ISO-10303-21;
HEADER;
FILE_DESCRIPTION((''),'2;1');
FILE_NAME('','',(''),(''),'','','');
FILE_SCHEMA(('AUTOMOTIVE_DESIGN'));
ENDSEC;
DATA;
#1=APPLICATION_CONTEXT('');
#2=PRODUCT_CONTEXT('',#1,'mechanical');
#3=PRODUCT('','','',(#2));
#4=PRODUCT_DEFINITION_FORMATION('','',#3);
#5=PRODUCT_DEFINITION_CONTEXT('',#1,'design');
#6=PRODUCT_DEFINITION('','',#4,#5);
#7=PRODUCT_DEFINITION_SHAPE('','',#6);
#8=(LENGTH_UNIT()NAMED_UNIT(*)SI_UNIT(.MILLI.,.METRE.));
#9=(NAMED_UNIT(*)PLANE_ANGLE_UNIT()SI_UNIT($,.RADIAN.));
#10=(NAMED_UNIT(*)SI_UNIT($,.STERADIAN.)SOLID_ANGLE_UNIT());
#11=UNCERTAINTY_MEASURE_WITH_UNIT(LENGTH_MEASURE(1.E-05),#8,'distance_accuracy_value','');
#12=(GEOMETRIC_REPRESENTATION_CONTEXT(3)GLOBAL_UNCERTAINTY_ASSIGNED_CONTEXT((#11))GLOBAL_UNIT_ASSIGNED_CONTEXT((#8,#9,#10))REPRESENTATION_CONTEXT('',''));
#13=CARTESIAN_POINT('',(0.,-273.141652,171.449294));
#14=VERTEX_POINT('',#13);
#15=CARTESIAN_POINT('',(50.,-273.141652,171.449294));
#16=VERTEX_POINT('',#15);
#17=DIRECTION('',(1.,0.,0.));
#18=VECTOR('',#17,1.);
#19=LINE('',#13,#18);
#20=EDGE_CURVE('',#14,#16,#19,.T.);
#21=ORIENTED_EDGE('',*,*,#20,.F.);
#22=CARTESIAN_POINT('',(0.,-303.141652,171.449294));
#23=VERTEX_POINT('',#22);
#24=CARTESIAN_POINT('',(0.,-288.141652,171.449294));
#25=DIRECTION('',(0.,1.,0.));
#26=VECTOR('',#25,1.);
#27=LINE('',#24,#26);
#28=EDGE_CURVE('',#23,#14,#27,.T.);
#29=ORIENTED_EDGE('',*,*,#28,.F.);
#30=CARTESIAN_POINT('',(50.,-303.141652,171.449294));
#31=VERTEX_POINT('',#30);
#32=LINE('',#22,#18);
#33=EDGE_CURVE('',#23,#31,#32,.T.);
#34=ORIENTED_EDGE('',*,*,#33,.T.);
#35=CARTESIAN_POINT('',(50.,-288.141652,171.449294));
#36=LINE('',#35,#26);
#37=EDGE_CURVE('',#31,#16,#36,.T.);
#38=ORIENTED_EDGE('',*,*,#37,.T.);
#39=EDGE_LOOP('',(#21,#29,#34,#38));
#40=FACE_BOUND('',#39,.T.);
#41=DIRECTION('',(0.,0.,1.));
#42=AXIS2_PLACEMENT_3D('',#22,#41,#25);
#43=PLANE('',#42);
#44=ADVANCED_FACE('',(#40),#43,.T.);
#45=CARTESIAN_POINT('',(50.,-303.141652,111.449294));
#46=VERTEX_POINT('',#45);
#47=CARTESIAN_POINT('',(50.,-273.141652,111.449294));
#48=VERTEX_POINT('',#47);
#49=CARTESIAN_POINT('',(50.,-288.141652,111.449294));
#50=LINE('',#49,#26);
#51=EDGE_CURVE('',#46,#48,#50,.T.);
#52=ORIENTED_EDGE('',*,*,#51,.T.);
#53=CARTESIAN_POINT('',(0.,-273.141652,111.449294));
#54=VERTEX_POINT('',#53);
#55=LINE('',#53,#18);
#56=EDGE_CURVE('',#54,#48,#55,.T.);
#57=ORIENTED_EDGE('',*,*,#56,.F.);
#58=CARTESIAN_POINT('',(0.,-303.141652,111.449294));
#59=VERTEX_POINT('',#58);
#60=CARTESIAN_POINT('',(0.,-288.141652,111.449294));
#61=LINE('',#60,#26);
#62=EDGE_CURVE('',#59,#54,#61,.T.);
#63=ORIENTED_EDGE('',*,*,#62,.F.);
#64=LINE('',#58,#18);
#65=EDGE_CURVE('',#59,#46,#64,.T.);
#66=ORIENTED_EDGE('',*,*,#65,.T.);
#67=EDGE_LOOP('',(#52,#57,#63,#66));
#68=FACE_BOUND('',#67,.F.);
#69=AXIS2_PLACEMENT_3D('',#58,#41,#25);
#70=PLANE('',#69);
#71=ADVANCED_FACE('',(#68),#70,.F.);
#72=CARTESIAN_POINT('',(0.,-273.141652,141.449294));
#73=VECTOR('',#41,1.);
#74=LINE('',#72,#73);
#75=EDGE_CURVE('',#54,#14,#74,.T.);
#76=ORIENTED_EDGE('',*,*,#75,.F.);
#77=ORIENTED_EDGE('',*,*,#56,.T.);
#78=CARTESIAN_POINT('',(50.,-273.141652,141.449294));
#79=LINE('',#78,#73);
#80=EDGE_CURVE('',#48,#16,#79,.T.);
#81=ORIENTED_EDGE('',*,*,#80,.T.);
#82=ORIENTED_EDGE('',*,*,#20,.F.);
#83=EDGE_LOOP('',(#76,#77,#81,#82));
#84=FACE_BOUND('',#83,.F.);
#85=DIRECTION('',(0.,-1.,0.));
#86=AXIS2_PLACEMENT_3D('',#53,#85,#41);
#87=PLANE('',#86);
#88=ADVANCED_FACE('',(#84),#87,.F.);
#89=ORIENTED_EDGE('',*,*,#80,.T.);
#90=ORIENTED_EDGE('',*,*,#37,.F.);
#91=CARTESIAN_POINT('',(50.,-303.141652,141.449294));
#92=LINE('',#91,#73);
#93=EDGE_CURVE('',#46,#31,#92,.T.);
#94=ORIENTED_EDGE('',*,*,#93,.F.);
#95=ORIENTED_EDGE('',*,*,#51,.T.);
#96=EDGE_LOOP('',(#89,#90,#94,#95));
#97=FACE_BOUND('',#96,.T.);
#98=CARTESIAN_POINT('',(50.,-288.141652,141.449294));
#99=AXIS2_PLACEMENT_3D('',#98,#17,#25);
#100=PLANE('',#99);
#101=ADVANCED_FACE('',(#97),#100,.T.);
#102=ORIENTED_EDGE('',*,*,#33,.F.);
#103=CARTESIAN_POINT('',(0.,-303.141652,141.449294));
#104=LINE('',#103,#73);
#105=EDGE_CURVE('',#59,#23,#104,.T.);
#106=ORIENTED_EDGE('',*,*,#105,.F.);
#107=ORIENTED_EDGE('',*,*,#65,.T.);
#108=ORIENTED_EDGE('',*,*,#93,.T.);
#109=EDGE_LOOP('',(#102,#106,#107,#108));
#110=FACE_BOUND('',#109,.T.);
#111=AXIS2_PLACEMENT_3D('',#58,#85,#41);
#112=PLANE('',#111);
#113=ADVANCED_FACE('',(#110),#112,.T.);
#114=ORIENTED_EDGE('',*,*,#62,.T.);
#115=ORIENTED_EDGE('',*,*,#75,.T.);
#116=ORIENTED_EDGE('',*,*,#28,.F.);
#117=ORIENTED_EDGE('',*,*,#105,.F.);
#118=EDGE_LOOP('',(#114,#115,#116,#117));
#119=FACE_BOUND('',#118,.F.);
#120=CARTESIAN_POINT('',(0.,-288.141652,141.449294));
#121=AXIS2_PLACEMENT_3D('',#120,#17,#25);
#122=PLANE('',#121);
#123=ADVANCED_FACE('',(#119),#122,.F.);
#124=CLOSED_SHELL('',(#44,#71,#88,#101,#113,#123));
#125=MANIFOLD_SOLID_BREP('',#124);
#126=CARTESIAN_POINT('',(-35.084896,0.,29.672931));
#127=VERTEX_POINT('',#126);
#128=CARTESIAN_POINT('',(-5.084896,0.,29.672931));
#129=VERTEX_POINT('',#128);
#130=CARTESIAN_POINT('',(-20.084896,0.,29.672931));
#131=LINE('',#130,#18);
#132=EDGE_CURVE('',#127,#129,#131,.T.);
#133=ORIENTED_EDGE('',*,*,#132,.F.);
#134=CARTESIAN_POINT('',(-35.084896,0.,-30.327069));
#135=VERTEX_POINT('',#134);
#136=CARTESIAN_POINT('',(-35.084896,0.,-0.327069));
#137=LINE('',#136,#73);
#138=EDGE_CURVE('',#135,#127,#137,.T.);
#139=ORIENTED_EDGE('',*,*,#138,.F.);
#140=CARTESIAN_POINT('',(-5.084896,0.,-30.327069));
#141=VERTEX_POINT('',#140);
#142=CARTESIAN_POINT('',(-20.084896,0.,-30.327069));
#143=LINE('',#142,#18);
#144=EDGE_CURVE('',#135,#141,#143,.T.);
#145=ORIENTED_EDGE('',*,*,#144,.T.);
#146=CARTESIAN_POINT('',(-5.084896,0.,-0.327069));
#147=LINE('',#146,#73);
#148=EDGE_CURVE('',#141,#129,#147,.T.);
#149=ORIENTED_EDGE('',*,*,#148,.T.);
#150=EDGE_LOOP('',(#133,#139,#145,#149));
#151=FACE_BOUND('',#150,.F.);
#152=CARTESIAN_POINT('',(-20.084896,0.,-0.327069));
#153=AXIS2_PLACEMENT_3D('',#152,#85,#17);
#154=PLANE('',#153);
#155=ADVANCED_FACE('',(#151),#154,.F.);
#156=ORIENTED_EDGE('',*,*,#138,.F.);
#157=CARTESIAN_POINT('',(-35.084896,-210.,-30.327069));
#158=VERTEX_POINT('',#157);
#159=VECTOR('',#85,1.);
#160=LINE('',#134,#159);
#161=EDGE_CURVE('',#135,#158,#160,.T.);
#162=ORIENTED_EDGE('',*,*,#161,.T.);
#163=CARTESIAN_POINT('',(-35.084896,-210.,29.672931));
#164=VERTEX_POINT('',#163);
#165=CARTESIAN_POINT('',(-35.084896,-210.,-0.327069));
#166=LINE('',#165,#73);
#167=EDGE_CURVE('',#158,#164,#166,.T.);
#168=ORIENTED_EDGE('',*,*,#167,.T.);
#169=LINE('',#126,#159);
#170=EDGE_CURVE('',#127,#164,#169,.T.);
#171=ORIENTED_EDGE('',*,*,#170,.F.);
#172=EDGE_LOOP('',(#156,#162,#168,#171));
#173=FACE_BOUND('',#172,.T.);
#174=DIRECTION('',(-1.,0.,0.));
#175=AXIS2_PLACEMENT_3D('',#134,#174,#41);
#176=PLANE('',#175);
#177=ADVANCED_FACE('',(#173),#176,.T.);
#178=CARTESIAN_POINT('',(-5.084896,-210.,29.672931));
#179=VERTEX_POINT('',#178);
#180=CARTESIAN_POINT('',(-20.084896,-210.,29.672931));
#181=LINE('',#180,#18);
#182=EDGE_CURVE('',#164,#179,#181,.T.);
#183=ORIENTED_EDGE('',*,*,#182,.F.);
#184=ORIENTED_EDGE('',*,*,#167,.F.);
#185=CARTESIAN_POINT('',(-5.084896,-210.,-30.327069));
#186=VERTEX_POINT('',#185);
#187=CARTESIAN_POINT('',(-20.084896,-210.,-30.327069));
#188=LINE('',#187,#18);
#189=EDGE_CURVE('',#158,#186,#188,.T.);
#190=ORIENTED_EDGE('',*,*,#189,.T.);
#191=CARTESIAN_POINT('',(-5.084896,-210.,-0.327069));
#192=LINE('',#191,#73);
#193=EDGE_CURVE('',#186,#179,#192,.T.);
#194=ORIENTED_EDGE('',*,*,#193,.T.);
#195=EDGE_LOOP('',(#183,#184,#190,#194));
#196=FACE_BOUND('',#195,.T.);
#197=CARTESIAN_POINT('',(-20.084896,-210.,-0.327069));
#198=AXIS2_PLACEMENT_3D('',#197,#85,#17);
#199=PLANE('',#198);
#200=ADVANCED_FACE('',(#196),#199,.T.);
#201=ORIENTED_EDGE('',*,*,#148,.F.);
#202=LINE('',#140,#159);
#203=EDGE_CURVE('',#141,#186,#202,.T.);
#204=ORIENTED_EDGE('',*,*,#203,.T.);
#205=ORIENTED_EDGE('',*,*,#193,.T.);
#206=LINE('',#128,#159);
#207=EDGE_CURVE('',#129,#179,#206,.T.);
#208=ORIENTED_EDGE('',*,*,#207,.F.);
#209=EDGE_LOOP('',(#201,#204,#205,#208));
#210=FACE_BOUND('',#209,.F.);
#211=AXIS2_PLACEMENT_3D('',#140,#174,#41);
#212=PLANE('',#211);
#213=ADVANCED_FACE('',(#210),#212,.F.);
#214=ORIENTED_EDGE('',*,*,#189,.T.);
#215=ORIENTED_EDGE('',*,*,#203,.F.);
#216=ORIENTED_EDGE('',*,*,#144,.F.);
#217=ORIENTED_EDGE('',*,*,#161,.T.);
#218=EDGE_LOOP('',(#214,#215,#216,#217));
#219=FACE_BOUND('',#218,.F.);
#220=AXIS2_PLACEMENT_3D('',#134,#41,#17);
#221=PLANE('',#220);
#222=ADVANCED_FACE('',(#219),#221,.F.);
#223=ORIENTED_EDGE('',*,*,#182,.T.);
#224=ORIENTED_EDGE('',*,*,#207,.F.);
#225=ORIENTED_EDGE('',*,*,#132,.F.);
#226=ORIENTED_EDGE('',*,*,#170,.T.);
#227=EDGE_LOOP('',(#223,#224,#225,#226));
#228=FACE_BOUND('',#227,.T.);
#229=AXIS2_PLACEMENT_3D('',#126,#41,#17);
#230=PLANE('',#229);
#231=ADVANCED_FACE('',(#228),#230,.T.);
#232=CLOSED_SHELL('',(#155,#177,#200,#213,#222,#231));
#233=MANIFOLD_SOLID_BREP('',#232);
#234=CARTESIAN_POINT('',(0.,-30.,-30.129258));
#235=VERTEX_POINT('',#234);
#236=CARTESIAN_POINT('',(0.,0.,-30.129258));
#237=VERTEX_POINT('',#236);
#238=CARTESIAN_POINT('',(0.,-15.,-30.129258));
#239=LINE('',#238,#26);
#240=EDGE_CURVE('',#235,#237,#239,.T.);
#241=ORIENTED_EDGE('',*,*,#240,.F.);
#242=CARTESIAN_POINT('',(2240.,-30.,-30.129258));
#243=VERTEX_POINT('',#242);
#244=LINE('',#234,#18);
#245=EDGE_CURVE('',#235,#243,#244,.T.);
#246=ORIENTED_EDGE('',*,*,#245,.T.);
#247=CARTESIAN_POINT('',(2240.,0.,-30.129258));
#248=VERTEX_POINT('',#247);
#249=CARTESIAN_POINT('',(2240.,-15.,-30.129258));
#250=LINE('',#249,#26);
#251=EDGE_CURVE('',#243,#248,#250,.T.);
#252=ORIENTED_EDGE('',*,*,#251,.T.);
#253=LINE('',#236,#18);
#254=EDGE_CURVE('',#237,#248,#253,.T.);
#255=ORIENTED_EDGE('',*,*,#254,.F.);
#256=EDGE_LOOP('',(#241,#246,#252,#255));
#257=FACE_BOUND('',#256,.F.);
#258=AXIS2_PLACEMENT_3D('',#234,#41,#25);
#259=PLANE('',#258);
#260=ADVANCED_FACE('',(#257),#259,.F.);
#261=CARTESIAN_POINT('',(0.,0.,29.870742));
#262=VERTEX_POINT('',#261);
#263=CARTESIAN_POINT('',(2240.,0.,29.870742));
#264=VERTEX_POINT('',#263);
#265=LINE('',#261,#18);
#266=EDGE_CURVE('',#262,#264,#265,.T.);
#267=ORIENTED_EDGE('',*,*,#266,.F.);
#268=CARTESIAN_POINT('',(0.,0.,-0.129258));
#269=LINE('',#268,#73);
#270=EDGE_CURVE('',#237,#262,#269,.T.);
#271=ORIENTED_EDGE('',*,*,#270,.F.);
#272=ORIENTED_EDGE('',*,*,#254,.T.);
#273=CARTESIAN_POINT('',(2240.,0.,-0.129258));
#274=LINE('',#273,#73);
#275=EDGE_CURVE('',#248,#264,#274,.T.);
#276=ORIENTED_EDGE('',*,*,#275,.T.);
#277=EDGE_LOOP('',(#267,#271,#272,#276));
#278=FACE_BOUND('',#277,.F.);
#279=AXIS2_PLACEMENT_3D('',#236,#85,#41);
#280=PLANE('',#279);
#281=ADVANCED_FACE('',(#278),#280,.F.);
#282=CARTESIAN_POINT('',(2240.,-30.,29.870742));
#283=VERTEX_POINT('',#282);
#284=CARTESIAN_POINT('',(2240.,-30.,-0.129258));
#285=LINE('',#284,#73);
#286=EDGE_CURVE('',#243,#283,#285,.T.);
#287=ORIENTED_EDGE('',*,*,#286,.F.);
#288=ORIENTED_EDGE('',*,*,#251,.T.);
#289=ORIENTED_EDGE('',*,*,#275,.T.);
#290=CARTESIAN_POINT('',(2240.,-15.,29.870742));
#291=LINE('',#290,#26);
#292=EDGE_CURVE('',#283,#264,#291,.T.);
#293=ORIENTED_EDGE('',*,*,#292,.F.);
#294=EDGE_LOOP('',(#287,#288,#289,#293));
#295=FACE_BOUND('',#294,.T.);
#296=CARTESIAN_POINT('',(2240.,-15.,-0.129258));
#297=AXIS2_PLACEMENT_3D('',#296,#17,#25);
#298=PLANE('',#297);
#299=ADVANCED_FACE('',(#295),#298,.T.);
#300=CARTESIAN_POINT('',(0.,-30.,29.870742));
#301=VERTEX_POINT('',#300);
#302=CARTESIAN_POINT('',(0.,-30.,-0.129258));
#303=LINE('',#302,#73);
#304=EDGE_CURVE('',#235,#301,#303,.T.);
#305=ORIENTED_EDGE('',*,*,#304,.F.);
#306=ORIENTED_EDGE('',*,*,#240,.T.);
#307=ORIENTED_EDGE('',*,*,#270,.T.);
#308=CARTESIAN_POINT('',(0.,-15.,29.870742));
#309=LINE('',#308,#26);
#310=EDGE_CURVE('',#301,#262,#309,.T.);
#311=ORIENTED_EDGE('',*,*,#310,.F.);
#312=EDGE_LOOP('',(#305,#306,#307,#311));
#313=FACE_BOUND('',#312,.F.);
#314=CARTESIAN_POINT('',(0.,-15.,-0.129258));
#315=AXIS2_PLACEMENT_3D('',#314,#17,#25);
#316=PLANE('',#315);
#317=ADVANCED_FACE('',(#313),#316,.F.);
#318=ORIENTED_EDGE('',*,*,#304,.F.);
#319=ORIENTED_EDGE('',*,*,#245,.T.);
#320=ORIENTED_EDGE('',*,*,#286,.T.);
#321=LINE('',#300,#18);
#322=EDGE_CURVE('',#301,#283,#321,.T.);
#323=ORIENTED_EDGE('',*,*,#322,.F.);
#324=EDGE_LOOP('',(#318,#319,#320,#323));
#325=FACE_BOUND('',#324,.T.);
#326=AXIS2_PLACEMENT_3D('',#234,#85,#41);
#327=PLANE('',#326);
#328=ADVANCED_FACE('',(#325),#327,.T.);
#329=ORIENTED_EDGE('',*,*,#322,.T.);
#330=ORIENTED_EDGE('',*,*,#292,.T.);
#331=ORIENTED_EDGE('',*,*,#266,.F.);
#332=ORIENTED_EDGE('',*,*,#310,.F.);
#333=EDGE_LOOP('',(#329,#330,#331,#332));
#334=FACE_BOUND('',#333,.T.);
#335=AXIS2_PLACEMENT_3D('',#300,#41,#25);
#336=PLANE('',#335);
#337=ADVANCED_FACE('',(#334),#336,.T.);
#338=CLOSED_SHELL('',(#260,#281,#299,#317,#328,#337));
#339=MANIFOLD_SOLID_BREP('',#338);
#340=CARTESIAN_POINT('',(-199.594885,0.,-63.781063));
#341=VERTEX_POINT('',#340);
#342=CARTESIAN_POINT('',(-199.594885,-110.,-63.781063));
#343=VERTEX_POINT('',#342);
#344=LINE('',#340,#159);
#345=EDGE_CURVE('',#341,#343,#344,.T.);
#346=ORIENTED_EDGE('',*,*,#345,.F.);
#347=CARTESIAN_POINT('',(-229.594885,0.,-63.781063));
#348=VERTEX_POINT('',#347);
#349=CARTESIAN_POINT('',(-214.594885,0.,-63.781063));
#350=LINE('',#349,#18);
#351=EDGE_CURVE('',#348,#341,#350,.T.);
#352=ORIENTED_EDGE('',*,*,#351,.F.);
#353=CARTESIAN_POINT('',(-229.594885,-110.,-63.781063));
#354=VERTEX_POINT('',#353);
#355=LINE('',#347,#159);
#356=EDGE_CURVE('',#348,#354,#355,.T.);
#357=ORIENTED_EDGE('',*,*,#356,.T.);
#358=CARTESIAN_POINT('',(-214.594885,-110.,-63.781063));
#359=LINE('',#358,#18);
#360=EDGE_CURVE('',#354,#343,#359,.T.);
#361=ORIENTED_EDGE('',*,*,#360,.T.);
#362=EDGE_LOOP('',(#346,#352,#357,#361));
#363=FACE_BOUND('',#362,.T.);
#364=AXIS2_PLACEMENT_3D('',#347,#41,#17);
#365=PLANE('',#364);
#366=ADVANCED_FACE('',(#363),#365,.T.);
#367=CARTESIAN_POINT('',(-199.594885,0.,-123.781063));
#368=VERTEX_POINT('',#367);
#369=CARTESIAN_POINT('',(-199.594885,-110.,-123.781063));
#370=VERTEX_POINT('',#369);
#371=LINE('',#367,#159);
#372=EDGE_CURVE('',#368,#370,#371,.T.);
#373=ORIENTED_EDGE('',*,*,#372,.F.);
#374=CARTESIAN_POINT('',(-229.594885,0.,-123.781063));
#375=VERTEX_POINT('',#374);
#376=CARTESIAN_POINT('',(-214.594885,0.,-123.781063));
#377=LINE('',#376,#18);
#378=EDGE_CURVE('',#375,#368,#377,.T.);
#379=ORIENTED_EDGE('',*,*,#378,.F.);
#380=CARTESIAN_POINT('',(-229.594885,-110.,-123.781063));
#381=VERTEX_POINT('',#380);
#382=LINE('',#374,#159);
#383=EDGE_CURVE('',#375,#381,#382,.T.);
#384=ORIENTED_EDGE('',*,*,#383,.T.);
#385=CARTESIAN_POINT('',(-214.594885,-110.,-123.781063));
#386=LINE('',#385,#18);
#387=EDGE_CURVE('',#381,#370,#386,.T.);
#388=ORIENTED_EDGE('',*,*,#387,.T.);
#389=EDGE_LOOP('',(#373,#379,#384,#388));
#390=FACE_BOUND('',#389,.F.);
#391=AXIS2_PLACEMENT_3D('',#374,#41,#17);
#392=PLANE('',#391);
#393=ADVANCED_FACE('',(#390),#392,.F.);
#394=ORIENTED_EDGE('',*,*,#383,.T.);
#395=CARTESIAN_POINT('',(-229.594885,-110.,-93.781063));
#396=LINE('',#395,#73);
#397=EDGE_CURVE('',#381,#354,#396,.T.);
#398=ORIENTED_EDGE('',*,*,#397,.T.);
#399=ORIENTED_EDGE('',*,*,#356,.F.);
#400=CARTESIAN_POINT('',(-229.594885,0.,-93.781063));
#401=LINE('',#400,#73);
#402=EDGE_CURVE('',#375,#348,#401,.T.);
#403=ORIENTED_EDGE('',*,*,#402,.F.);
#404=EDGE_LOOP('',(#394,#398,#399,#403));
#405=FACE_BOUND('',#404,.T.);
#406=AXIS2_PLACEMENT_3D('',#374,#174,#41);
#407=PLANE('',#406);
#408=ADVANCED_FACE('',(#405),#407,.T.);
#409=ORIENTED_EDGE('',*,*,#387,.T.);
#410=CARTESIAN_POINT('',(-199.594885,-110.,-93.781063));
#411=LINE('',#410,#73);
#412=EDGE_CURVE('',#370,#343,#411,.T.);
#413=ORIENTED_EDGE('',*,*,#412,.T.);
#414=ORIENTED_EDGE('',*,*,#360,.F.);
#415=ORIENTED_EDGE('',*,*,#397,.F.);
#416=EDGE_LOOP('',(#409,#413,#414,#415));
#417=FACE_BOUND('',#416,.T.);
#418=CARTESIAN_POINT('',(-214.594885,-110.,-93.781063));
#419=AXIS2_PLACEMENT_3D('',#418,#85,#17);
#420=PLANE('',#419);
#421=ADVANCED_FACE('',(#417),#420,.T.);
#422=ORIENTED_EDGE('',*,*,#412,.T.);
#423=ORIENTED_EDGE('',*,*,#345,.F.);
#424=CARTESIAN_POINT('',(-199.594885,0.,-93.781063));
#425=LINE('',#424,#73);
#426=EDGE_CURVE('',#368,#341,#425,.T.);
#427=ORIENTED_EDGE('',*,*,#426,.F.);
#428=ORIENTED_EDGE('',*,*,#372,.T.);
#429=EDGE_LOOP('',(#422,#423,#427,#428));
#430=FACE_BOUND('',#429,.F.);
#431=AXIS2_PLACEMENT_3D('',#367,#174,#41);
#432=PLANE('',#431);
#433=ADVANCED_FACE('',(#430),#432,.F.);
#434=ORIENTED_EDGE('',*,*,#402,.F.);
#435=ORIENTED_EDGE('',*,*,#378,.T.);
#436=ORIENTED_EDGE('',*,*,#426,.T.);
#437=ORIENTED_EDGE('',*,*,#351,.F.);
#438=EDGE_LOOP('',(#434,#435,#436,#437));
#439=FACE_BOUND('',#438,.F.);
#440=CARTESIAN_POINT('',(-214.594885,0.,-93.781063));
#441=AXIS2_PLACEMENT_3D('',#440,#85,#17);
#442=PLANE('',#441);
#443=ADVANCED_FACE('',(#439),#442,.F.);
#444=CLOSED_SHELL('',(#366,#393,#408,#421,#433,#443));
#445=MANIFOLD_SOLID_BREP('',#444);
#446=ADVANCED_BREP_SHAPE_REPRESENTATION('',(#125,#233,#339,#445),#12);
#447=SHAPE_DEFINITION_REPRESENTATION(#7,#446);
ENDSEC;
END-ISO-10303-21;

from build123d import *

# Parameters (mm, degrees)
F0_W     = 30
F0_H     = 60
F1_DEPTH = 2240
F2_W     = 30
F2_H     = 60
F3_DEPTH = 210
F4_W     = 30
F4_H     = 60
F5_DEPTH = 50
F6_W     = 30
F6_H     = 60
F7_DEPTH = 110


with BuildPart() as f1:
    # F0 (on Right) → F1 (new body)
    with BuildSketch(Plane.YZ):
        with Locations((-15, -0.129258)):
            Rectangle(F0_W, F0_H)
    extrude(amount=F1_DEPTH)


with BuildPart() as f3:
    # F2 (on Front) → F3 (new body)
    with BuildSketch(Plane.XZ):
        with Locations((-20.084896, -0.327069)):
            Rectangle(F2_W, F2_H)
    extrude(amount=F3_DEPTH)


with BuildPart() as f5:
    # F4 (on Right) → F5 (new body)
    with BuildSketch(Plane.YZ):
        with Locations((-288.141652, 141.449294)):
            Rectangle(F4_W, F4_H)
    extrude(amount=F5_DEPTH)


with BuildPart() as f7:
    # F6 (on Front) → F7 (new body)
    with BuildSketch(Plane.XZ):
        with Locations((-214.594885, -93.781063)):
            Rectangle(F6_W, F6_H)
    extrude(amount=F7_DEPTH)


solid = Compound([f1.part, f3.part, f5.part, f7.part])
